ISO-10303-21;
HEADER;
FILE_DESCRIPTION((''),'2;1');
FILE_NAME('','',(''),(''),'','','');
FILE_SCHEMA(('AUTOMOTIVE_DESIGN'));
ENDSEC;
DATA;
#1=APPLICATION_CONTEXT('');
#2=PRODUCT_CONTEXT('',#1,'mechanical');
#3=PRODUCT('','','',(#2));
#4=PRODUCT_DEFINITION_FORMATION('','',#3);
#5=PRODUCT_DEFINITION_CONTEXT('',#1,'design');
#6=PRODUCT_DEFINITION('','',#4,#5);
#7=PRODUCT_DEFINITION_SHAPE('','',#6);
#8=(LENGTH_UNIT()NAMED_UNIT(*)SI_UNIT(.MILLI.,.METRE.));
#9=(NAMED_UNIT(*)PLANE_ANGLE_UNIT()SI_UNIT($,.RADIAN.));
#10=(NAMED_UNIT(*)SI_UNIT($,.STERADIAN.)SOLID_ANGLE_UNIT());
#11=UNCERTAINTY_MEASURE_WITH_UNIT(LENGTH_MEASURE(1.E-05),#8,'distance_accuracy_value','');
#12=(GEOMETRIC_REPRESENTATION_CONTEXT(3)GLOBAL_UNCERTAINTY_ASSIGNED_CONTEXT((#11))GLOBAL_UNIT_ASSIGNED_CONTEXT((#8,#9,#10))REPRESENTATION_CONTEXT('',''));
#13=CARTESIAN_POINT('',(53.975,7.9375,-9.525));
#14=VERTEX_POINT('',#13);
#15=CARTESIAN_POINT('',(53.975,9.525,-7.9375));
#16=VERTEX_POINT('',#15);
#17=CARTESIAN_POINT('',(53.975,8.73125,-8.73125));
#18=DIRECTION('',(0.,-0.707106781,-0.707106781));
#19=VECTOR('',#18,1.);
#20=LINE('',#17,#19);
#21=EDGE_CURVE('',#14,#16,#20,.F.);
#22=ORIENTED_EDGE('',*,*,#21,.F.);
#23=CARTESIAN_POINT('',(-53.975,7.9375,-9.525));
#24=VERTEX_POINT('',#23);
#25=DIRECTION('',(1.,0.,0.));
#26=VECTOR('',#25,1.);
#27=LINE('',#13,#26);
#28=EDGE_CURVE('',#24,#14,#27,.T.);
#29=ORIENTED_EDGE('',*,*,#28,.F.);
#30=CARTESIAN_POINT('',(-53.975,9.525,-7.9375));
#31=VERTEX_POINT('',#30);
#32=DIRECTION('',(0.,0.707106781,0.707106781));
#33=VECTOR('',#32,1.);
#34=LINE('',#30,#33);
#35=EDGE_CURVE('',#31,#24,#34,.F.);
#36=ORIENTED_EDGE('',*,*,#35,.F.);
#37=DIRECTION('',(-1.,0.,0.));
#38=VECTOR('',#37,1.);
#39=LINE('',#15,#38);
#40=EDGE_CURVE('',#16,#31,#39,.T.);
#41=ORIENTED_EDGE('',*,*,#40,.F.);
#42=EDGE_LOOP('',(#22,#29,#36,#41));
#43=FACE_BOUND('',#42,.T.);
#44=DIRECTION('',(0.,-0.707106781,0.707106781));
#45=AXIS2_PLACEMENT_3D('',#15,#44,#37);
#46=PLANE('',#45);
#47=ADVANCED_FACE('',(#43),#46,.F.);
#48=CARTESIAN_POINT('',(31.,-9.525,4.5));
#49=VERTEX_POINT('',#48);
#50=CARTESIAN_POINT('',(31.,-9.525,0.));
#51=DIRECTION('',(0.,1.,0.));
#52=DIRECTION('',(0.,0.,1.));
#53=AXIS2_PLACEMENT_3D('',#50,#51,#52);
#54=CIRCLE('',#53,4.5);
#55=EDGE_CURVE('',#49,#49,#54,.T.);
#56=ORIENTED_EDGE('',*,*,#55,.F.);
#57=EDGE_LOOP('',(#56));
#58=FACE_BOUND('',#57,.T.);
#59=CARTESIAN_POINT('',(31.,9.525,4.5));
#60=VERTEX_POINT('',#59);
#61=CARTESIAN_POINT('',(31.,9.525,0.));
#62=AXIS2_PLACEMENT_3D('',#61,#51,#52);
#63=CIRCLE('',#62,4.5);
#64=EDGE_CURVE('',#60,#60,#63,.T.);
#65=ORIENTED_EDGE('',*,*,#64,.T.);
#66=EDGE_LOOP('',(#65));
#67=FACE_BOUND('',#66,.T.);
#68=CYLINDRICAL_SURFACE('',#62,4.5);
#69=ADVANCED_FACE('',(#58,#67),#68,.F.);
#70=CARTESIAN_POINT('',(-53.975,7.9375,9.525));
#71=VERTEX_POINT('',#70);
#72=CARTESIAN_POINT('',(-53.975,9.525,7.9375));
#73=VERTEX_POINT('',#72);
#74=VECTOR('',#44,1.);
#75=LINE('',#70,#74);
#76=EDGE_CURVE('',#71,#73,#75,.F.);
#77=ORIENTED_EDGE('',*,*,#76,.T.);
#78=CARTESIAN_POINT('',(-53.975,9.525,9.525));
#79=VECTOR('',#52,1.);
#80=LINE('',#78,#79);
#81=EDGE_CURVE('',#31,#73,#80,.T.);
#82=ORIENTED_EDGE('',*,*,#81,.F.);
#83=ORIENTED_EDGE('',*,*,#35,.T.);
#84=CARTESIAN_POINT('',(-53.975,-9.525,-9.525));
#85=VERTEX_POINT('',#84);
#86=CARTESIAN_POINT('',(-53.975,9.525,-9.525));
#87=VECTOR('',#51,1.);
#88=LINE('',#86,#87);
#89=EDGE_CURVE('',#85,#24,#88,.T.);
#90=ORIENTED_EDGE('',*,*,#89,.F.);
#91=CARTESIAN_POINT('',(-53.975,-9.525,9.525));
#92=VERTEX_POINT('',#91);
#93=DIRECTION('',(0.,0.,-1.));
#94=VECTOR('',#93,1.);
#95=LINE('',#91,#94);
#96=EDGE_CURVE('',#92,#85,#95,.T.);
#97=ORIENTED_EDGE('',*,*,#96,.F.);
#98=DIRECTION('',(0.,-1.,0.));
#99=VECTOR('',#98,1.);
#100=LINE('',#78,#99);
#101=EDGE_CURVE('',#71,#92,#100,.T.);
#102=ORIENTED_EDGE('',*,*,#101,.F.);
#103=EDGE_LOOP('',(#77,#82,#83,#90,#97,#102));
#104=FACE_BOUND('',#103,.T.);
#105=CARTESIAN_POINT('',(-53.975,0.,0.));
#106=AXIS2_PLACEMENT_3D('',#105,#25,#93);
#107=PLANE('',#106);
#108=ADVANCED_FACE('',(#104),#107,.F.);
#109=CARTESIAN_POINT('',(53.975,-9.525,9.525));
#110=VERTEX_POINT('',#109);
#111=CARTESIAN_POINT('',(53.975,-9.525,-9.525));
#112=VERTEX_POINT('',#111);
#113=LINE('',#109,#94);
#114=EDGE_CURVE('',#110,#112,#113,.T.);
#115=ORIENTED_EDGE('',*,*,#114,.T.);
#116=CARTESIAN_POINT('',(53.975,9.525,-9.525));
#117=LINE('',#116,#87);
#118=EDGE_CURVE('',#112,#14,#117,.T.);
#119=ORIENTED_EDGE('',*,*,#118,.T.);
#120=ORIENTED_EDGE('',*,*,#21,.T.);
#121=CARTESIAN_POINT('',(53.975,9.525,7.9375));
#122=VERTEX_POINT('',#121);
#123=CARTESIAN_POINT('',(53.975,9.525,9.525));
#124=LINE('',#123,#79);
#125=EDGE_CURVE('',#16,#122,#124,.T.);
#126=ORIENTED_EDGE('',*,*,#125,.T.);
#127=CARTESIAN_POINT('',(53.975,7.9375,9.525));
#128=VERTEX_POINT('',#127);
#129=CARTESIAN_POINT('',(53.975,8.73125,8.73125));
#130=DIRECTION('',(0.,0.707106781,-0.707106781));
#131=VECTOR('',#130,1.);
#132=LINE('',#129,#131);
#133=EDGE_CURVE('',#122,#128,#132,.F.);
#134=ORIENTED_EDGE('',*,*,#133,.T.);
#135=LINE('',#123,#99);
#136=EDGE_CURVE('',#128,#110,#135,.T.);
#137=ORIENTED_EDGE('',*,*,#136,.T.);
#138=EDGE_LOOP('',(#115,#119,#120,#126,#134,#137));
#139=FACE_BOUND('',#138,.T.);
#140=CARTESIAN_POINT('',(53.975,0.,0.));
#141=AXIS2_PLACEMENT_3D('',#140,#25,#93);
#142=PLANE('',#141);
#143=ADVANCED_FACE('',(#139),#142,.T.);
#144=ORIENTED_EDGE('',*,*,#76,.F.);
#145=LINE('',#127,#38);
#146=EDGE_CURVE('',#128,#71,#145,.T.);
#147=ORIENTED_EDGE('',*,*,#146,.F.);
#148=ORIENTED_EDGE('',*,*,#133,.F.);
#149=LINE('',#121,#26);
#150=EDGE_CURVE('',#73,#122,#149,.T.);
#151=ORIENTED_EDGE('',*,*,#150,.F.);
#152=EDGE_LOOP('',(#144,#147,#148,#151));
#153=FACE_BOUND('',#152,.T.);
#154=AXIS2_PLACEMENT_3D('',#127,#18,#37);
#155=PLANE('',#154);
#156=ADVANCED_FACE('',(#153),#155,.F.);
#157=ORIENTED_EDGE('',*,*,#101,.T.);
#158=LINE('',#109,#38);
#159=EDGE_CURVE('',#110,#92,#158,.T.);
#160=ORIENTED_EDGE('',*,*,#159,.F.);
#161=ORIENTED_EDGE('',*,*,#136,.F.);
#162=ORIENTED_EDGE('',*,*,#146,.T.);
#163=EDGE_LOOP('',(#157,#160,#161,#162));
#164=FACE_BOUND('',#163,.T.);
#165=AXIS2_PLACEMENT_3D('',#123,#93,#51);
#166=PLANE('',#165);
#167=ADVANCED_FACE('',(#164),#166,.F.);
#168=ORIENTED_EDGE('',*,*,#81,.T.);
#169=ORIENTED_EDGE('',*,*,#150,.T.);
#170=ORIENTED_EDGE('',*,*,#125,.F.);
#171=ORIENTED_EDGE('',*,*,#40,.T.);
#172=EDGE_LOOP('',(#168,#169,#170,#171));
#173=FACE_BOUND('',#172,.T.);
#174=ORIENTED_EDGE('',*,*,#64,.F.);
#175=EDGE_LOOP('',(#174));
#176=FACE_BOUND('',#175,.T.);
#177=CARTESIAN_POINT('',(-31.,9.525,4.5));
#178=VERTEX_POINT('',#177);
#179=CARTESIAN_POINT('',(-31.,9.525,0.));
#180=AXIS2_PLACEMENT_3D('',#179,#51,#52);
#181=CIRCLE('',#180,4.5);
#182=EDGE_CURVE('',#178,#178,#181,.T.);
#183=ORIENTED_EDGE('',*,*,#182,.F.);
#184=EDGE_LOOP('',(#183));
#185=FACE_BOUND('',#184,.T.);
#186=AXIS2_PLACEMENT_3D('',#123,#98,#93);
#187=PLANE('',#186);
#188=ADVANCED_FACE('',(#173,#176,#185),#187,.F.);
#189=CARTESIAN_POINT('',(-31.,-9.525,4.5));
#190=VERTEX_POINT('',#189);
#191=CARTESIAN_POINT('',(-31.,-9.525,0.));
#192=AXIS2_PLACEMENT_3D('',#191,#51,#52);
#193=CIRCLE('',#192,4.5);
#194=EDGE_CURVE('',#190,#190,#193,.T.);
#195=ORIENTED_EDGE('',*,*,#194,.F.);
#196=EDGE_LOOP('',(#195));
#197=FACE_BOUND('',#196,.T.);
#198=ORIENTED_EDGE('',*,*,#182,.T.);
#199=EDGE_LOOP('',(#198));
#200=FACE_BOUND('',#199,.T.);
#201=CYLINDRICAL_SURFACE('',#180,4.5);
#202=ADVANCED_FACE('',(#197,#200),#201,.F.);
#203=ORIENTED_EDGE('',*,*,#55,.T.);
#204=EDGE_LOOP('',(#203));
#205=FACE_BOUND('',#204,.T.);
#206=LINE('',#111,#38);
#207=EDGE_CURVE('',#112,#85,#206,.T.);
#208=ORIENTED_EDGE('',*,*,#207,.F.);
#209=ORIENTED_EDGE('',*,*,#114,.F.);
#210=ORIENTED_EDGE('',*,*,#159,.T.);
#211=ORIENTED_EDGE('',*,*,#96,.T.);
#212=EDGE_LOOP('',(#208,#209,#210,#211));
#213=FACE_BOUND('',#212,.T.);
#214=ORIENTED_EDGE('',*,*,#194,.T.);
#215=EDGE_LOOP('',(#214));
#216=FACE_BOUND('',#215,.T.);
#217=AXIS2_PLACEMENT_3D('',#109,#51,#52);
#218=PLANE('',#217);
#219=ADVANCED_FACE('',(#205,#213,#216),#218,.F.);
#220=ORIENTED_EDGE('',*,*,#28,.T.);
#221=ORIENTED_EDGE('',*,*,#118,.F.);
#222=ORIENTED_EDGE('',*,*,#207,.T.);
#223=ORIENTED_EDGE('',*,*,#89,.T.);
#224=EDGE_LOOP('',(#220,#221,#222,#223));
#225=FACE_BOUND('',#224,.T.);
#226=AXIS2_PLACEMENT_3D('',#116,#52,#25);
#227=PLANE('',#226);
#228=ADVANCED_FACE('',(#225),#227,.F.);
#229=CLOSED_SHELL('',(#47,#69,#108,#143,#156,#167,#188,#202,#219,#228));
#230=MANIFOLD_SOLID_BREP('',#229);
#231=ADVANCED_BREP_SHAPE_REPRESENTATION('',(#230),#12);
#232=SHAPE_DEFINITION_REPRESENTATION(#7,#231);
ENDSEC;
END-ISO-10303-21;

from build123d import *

# Parameters (mm, degrees)
SKETCH1_W            = 19.05
SKETCH1_H            = 19.05
BOSS_EXTRUDE1_DEPTH  = 53.975
M8_CLEARANCE_HOLE1_D = 9
CHAMFER1_SIZE        = 1.5875


with BuildPart() as part:
    # Sketch1 → Boss-Extrude1 (new, symmetric)
    with BuildSketch(Plane(origin=(0, 0, 0), x_dir=(0, 0, -1), z_dir=(1, 0, 0))):
        Rectangle(SKETCH1_W, SKETCH1_H)
    extrude(amount=BOSS_EXTRUDE1_DEPTH, both=True)

    # M8 Clearance Hole1 (through all)
    with Locations(Plane(origin=(0, 9.525, 0), x_dir=(1, 0, 0), z_dir=(0, 1, 0))):
        with Locations((-31, 0), (31, 0)):
            Hole(M8_CLEARANCE_HOLE1_D / 2)

    # Chamfer1
    chamfer1_edges = [part.edges().sort_by_distance(p)[0] for p in [
        (0, 9.525, 9.525),
        (0, 9.525, -9.525),
    ]]
    chamfer(chamfer1_edges, length=CHAMFER1_SIZE)


solid = part.part
